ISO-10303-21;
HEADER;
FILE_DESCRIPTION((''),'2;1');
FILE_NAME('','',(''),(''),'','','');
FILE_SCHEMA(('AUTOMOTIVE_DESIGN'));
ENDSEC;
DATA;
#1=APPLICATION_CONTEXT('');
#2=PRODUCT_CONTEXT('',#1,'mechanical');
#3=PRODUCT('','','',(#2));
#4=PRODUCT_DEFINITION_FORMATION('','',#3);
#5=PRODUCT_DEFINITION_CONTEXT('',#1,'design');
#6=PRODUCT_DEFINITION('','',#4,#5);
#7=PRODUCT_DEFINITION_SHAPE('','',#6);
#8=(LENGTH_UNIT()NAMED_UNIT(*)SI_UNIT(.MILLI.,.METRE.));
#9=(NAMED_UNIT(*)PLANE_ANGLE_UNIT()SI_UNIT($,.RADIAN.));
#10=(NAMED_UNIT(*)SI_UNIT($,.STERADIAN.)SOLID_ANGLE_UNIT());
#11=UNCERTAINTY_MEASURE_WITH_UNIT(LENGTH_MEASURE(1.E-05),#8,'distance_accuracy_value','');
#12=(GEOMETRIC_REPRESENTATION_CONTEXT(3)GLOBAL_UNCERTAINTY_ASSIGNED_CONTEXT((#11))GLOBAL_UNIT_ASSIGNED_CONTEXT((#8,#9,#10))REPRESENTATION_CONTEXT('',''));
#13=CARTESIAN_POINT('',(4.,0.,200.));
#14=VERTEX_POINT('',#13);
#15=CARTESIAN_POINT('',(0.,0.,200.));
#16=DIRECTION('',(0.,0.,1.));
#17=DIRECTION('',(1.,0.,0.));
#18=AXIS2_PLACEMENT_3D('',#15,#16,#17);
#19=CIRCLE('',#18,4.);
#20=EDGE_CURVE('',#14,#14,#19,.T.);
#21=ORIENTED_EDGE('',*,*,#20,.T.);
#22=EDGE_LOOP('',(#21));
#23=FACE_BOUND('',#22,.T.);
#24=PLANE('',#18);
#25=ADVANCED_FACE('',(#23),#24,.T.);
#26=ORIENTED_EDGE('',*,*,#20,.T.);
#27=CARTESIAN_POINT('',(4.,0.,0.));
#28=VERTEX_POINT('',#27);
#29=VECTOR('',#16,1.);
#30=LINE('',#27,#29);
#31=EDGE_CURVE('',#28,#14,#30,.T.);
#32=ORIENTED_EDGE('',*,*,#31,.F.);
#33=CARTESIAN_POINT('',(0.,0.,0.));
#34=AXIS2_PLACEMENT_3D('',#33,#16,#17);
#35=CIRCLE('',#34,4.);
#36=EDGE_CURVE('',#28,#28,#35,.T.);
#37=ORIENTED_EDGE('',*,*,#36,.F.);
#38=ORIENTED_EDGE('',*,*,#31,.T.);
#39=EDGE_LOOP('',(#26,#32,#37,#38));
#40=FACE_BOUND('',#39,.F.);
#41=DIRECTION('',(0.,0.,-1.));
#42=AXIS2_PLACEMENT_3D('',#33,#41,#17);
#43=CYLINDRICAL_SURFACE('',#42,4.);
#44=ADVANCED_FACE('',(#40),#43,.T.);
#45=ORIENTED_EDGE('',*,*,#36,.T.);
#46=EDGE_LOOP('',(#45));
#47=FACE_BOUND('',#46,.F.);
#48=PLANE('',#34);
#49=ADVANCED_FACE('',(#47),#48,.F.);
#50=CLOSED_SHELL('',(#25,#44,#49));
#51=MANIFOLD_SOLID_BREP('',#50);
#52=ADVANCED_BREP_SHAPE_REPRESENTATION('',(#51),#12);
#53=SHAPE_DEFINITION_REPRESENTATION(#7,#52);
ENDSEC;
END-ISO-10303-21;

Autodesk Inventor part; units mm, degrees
ref_plane "YZ Plane" through (0, 0, 0) normal (1, 0, 0) x (0, 1, 0)
ref_plane "XZ Plane" through (0, 0, 0) normal (0, 1, 0) x (-1, 0, 0)
ref_plane "XY Plane" through (0, 0, 0) normal (0, 0, 1) x (1, 0, 0)
sketch "Sketch1" plane through (0, 0, 0) normal (0, 0, 1) x (1, 0, 0)
  circle A0 centre (0, 0) radius 4
  dimension "d0" = 8
extrude "Extrusion1" add sketch "Sketch1" along normal blind 200
properties part number "8mm Shaft" material "Stainless Steel"
